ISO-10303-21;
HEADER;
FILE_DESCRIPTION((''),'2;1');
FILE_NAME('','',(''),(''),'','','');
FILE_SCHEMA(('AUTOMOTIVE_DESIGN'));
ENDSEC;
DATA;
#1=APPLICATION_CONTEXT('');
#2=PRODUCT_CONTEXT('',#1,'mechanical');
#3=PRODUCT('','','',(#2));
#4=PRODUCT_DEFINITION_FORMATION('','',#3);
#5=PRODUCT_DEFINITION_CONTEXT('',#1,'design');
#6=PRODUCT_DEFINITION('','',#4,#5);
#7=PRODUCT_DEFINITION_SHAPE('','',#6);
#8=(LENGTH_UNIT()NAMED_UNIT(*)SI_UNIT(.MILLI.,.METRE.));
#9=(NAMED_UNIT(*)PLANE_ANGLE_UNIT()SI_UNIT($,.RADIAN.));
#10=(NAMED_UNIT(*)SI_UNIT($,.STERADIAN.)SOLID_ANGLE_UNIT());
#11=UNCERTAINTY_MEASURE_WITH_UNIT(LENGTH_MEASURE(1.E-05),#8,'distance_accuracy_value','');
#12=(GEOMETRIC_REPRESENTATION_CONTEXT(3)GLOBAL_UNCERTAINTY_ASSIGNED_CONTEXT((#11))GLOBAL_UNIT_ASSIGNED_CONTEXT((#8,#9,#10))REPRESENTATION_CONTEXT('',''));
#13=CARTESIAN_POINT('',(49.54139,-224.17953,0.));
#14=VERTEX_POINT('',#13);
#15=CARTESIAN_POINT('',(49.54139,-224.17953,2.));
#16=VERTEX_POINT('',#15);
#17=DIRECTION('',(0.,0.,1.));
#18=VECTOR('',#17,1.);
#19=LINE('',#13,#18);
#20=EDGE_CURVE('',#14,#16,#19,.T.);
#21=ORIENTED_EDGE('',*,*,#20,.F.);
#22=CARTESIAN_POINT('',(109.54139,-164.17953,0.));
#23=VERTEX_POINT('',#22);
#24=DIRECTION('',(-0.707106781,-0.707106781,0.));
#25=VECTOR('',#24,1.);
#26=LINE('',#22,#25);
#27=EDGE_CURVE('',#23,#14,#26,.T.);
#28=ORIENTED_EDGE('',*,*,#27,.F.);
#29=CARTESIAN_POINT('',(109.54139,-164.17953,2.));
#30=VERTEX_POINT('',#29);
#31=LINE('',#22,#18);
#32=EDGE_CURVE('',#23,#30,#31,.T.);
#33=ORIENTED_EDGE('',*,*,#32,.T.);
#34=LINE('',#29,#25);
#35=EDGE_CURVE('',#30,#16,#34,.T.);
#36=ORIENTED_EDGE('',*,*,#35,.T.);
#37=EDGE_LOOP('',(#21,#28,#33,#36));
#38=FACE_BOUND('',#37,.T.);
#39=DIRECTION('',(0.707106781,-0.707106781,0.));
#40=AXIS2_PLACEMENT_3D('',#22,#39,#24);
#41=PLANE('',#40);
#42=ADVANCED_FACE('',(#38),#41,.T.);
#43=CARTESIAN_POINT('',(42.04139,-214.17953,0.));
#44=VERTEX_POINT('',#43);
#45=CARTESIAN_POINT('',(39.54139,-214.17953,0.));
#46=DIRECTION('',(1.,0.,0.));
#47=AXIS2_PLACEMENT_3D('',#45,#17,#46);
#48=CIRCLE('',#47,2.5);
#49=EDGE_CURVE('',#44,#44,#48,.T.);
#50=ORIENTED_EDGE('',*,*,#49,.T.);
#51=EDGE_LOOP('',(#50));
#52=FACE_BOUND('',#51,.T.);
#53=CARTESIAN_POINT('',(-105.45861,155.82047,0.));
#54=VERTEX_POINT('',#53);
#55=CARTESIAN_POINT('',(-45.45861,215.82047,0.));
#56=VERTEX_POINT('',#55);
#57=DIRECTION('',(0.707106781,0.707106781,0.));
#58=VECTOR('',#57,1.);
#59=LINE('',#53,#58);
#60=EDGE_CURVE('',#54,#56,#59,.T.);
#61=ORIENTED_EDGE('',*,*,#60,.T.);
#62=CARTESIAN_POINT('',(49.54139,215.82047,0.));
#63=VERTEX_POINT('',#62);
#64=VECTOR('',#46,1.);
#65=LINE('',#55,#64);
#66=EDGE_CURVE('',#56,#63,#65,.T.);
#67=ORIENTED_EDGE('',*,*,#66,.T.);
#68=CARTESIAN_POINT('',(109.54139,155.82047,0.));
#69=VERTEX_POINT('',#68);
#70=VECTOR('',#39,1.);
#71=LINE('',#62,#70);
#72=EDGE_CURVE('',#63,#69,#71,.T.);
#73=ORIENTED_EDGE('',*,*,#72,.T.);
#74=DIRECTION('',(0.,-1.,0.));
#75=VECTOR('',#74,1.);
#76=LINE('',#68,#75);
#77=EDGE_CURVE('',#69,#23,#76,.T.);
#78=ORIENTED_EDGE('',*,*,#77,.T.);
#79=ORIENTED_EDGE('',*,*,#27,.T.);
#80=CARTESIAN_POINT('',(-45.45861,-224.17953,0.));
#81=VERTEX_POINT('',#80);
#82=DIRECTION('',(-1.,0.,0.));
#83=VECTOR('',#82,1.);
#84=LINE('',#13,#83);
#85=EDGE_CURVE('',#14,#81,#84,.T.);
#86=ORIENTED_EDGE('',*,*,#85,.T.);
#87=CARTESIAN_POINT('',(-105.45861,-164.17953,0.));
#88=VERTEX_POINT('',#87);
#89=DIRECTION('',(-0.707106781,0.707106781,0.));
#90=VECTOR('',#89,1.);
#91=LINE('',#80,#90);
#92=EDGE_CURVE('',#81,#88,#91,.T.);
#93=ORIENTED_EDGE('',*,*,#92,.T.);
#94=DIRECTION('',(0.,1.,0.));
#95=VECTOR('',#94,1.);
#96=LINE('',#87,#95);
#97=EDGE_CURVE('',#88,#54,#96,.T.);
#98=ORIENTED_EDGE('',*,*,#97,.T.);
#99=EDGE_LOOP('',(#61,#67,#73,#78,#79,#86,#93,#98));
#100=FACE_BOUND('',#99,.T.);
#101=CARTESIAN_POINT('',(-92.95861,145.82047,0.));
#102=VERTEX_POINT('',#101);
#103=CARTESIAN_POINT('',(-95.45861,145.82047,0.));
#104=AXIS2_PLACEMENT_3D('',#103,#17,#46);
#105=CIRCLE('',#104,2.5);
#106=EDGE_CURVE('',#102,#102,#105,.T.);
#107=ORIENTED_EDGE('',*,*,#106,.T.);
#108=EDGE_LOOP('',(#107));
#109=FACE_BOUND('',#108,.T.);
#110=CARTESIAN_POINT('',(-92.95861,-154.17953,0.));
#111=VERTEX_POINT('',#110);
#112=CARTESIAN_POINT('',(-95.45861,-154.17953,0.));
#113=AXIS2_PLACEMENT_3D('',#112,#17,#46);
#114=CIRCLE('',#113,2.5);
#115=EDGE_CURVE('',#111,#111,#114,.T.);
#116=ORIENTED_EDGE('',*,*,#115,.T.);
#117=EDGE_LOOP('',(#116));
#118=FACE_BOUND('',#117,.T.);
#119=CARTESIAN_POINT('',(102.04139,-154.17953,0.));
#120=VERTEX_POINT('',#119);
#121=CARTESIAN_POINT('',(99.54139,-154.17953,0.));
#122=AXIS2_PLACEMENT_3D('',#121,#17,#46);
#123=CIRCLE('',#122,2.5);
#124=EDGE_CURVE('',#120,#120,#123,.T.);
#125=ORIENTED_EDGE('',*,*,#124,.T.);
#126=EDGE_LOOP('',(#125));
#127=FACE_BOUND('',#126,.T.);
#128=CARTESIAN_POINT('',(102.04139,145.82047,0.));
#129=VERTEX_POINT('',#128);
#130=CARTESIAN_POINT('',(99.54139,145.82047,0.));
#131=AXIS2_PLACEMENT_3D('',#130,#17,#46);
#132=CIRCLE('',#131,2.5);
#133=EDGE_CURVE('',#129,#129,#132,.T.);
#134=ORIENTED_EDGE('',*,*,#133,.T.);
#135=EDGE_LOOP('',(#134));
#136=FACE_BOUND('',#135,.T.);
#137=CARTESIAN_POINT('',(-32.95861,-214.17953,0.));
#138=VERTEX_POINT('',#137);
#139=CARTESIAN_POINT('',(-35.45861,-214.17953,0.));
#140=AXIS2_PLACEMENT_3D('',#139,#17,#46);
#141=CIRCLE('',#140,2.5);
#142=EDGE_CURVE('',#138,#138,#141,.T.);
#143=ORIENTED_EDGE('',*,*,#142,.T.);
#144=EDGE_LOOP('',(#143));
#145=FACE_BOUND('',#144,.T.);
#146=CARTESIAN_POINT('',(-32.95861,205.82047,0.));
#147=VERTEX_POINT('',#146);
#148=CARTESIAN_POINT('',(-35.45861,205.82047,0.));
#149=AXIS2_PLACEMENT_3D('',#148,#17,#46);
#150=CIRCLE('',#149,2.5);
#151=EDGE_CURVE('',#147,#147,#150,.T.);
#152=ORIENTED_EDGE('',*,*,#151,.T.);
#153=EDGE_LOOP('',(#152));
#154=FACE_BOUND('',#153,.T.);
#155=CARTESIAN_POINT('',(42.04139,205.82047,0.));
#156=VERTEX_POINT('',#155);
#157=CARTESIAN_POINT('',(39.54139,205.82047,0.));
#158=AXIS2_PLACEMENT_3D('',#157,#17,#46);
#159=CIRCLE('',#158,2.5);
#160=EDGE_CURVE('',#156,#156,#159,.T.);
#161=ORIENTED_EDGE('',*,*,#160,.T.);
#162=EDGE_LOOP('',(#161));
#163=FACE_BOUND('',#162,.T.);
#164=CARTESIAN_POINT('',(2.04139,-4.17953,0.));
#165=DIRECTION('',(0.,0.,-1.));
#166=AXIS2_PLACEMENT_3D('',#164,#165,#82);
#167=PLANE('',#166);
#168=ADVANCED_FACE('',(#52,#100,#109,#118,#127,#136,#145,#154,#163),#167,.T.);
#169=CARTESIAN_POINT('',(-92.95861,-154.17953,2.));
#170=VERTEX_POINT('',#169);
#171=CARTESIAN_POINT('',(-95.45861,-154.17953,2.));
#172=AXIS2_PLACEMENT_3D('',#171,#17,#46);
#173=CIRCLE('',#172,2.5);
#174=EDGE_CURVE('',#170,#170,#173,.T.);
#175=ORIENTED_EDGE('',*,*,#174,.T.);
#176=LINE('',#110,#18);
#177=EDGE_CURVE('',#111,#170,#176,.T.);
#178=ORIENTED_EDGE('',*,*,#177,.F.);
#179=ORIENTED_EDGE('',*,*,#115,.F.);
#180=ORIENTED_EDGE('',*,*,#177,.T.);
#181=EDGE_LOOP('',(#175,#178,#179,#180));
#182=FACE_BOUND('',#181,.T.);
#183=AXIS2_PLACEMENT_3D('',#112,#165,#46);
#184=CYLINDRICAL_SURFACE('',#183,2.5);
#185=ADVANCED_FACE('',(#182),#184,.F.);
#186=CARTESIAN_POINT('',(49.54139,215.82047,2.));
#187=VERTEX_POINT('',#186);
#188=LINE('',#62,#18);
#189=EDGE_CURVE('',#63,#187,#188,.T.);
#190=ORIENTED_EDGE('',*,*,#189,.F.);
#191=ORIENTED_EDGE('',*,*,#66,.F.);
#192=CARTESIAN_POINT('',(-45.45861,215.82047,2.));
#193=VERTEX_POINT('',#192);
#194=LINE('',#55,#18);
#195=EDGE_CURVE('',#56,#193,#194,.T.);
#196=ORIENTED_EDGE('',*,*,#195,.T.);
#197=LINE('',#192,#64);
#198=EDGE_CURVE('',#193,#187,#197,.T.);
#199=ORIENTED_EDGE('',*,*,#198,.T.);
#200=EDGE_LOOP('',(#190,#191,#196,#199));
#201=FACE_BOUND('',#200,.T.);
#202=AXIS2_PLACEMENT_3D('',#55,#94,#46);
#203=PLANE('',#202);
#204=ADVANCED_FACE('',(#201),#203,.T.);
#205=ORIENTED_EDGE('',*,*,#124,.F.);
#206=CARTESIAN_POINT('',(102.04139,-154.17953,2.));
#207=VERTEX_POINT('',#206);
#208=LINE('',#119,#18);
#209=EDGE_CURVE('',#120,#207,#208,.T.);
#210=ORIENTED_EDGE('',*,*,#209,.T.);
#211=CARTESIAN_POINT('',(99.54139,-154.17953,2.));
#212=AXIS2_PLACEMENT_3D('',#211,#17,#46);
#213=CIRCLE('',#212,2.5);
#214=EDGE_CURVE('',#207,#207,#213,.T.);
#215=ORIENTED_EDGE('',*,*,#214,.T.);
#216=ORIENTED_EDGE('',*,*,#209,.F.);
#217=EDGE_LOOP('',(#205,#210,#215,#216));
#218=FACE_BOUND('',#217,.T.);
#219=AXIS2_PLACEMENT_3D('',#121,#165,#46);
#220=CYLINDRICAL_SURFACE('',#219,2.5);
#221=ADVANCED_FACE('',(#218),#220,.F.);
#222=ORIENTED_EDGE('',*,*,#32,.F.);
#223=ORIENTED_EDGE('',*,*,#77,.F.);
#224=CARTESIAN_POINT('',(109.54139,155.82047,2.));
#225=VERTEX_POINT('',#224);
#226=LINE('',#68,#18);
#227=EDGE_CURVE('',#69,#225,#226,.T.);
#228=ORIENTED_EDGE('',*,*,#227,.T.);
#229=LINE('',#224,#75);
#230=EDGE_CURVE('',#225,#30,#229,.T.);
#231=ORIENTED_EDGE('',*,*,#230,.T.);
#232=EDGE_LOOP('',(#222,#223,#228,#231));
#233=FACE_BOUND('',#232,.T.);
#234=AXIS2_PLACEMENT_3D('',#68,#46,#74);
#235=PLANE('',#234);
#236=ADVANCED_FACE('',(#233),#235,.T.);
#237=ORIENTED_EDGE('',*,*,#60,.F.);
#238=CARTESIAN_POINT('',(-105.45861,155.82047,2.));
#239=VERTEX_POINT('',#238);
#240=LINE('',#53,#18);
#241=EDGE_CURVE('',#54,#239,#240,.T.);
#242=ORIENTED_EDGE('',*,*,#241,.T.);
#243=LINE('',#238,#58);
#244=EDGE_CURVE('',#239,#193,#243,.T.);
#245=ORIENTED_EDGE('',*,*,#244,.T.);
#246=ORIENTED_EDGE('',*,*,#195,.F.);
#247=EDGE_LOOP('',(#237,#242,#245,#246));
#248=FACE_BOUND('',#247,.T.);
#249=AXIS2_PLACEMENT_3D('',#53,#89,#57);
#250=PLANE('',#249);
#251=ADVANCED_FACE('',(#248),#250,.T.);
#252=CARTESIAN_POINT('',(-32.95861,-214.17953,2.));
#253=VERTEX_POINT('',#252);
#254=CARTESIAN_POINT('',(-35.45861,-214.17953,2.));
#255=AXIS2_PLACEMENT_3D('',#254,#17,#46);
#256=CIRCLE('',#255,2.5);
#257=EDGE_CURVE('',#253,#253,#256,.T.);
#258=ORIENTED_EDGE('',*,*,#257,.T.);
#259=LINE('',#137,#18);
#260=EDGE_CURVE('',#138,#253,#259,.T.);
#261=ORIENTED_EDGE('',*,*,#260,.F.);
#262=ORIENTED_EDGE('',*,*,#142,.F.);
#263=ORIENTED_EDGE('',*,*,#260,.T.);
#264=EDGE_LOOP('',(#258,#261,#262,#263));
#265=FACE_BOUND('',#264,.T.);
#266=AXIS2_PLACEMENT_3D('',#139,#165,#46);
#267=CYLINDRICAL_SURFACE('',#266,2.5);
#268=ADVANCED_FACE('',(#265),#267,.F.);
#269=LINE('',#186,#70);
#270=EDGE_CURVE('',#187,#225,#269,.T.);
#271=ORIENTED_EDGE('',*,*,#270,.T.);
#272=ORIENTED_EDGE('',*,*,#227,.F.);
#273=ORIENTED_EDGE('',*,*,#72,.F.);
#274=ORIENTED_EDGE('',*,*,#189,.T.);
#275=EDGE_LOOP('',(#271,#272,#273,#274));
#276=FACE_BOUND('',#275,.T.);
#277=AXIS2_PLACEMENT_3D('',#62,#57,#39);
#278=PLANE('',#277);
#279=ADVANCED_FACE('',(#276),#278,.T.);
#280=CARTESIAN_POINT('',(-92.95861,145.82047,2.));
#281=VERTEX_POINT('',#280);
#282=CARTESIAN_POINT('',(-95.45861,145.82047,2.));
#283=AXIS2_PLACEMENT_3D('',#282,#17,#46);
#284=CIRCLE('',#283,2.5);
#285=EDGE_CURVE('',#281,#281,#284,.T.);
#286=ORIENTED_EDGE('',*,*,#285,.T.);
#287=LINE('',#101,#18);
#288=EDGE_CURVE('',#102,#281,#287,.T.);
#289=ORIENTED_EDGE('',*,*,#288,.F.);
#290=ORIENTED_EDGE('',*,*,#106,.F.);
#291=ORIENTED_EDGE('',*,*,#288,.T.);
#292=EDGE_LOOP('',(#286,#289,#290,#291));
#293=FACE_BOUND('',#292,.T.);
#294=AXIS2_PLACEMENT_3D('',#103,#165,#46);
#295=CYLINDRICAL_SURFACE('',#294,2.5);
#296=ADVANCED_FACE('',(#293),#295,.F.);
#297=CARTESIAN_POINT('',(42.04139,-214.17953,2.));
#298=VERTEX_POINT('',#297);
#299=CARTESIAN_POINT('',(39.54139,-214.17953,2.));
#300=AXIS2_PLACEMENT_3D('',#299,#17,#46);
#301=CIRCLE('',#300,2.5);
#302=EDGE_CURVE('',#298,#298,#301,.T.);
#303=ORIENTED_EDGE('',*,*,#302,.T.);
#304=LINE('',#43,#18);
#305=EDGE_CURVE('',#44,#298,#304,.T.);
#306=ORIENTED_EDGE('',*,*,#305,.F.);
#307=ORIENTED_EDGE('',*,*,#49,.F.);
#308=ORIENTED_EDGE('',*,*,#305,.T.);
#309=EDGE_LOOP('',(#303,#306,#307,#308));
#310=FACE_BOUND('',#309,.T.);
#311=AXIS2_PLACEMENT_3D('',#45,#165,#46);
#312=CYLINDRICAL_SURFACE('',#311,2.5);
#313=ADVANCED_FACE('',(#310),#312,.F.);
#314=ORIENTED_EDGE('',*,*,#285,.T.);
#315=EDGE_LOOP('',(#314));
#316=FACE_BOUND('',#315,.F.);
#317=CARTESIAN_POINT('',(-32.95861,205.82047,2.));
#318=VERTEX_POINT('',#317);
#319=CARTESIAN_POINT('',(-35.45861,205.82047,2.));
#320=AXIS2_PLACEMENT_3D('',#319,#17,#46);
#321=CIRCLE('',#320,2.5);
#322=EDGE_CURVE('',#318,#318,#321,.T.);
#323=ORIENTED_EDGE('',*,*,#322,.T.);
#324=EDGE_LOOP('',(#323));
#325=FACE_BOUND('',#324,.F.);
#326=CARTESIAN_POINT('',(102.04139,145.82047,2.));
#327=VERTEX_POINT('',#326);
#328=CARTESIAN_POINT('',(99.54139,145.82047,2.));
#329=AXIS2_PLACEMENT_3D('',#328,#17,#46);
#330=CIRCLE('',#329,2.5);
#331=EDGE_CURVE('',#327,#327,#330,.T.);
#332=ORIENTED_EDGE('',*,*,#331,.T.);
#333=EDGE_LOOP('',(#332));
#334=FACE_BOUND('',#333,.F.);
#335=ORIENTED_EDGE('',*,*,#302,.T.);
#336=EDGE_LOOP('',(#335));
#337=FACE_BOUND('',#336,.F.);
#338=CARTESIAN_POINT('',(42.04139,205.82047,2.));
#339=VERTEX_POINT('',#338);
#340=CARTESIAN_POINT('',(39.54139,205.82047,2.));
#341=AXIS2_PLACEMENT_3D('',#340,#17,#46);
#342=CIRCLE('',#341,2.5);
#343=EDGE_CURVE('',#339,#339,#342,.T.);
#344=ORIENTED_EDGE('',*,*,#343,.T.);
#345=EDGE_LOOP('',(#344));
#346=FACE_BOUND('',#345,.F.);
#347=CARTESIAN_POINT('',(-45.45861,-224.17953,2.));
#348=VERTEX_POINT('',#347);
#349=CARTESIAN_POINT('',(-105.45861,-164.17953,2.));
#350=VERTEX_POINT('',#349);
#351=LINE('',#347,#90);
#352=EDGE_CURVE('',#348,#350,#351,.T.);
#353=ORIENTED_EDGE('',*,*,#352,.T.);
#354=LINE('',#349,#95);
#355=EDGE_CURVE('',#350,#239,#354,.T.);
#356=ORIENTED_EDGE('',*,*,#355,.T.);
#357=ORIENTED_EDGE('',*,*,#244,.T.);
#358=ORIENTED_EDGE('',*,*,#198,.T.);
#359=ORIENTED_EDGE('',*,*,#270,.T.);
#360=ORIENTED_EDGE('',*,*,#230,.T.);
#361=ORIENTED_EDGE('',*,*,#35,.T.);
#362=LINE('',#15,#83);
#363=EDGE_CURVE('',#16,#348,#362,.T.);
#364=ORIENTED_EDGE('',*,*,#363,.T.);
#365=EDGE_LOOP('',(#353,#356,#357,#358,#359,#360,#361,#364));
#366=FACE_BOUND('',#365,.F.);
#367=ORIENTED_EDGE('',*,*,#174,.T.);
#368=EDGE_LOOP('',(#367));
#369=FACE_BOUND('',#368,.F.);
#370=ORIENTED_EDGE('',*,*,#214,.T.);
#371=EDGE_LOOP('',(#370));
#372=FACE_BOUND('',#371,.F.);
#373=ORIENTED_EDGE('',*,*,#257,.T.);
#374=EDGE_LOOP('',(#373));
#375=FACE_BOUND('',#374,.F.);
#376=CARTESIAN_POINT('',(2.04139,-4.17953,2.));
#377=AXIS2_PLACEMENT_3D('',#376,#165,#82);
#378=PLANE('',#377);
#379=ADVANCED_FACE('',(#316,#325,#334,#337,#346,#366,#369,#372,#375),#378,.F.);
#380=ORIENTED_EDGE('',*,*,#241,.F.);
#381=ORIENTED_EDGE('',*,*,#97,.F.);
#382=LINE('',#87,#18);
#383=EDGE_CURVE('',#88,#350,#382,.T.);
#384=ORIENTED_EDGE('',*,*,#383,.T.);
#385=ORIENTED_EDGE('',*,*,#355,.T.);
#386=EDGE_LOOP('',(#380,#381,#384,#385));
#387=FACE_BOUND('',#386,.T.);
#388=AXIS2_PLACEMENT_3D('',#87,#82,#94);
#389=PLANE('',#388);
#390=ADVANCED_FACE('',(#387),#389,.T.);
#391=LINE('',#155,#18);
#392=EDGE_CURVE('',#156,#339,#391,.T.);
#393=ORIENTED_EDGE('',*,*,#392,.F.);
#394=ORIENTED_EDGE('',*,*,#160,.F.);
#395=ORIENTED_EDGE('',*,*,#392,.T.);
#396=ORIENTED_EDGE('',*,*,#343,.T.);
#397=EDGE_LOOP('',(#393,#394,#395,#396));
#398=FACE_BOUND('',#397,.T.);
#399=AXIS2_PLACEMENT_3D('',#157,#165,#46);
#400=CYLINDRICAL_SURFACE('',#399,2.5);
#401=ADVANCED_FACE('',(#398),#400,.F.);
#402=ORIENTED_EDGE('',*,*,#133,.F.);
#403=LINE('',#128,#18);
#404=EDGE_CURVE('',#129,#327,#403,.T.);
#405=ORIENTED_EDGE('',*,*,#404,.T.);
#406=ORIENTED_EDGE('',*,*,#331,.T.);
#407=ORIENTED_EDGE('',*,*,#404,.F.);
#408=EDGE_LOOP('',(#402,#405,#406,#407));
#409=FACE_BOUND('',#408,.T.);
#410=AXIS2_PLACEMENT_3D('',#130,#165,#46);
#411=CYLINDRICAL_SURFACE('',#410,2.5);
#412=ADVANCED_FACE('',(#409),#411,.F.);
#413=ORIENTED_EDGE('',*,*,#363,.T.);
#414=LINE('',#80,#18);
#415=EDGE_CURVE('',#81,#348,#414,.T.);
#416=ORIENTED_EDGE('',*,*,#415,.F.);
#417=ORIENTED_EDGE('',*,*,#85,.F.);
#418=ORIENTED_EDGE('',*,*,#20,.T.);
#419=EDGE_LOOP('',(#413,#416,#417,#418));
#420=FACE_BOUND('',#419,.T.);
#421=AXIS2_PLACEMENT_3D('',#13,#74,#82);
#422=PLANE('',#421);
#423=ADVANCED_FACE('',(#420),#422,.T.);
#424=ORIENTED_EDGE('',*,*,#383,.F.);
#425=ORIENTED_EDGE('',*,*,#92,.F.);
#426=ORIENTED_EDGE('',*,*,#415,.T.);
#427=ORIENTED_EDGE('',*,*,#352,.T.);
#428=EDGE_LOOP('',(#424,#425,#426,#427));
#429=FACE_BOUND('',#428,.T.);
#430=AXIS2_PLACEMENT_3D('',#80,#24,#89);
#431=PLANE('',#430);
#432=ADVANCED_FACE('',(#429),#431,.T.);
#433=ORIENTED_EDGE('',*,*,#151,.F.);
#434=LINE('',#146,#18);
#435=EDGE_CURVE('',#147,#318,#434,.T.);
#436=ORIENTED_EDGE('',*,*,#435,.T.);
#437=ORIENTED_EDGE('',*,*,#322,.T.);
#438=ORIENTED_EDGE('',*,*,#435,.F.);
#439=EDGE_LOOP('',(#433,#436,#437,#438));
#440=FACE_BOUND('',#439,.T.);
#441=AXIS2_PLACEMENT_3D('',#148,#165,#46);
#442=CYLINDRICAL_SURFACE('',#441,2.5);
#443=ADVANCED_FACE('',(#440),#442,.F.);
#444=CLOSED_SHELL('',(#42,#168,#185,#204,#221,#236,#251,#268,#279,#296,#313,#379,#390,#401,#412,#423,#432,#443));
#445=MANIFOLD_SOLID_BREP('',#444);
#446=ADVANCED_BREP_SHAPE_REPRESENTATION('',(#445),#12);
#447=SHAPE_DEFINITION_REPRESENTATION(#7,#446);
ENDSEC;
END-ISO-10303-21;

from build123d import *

# Parameters (mm, degrees)
SKETCH_R  = 2.5
PAD_DEPTH = 2


with BuildPart() as part:
    # Sketch → Pad (new body)
    with BuildSketch(Plane.XY):
        Polygon((-45.45861, 215.82047), (49.54139, 215.82047), (109.54139, 155.82047), (109.54139, -164.17953), (49.54139, -224.17953), (-45.45861, -224.17953), (-105.45861, -164.17953), (-105.45861, 155.82047), align=None)
        with Locations((-95.45861, 145.82047)):
            Circle(SKETCH_R, mode=Mode.SUBTRACT)
        with Locations((-35.45861, 205.82047)):
            Circle(SKETCH_R, mode=Mode.SUBTRACT)
        with Locations((39.54139, 205.82047)):
            Circle(SKETCH_R, mode=Mode.SUBTRACT)
        with Locations((99.54139, 145.82047)):
            Circle(SKETCH_R, mode=Mode.SUBTRACT)
        with Locations((-95.45861, -154.17953)):
            Circle(SKETCH_R, mode=Mode.SUBTRACT)
        with Locations((-35.45861, -214.17953)):
            Circle(SKETCH_R, mode=Mode.SUBTRACT)
        with Locations((39.54139, -214.17953)):
            Circle(SKETCH_R, mode=Mode.SUBTRACT)
        with Locations((99.54139, -154.17953)):
            Circle(SKETCH_R, mode=Mode.SUBTRACT)
    extrude(amount=PAD_DEPTH)


solid = part.part
